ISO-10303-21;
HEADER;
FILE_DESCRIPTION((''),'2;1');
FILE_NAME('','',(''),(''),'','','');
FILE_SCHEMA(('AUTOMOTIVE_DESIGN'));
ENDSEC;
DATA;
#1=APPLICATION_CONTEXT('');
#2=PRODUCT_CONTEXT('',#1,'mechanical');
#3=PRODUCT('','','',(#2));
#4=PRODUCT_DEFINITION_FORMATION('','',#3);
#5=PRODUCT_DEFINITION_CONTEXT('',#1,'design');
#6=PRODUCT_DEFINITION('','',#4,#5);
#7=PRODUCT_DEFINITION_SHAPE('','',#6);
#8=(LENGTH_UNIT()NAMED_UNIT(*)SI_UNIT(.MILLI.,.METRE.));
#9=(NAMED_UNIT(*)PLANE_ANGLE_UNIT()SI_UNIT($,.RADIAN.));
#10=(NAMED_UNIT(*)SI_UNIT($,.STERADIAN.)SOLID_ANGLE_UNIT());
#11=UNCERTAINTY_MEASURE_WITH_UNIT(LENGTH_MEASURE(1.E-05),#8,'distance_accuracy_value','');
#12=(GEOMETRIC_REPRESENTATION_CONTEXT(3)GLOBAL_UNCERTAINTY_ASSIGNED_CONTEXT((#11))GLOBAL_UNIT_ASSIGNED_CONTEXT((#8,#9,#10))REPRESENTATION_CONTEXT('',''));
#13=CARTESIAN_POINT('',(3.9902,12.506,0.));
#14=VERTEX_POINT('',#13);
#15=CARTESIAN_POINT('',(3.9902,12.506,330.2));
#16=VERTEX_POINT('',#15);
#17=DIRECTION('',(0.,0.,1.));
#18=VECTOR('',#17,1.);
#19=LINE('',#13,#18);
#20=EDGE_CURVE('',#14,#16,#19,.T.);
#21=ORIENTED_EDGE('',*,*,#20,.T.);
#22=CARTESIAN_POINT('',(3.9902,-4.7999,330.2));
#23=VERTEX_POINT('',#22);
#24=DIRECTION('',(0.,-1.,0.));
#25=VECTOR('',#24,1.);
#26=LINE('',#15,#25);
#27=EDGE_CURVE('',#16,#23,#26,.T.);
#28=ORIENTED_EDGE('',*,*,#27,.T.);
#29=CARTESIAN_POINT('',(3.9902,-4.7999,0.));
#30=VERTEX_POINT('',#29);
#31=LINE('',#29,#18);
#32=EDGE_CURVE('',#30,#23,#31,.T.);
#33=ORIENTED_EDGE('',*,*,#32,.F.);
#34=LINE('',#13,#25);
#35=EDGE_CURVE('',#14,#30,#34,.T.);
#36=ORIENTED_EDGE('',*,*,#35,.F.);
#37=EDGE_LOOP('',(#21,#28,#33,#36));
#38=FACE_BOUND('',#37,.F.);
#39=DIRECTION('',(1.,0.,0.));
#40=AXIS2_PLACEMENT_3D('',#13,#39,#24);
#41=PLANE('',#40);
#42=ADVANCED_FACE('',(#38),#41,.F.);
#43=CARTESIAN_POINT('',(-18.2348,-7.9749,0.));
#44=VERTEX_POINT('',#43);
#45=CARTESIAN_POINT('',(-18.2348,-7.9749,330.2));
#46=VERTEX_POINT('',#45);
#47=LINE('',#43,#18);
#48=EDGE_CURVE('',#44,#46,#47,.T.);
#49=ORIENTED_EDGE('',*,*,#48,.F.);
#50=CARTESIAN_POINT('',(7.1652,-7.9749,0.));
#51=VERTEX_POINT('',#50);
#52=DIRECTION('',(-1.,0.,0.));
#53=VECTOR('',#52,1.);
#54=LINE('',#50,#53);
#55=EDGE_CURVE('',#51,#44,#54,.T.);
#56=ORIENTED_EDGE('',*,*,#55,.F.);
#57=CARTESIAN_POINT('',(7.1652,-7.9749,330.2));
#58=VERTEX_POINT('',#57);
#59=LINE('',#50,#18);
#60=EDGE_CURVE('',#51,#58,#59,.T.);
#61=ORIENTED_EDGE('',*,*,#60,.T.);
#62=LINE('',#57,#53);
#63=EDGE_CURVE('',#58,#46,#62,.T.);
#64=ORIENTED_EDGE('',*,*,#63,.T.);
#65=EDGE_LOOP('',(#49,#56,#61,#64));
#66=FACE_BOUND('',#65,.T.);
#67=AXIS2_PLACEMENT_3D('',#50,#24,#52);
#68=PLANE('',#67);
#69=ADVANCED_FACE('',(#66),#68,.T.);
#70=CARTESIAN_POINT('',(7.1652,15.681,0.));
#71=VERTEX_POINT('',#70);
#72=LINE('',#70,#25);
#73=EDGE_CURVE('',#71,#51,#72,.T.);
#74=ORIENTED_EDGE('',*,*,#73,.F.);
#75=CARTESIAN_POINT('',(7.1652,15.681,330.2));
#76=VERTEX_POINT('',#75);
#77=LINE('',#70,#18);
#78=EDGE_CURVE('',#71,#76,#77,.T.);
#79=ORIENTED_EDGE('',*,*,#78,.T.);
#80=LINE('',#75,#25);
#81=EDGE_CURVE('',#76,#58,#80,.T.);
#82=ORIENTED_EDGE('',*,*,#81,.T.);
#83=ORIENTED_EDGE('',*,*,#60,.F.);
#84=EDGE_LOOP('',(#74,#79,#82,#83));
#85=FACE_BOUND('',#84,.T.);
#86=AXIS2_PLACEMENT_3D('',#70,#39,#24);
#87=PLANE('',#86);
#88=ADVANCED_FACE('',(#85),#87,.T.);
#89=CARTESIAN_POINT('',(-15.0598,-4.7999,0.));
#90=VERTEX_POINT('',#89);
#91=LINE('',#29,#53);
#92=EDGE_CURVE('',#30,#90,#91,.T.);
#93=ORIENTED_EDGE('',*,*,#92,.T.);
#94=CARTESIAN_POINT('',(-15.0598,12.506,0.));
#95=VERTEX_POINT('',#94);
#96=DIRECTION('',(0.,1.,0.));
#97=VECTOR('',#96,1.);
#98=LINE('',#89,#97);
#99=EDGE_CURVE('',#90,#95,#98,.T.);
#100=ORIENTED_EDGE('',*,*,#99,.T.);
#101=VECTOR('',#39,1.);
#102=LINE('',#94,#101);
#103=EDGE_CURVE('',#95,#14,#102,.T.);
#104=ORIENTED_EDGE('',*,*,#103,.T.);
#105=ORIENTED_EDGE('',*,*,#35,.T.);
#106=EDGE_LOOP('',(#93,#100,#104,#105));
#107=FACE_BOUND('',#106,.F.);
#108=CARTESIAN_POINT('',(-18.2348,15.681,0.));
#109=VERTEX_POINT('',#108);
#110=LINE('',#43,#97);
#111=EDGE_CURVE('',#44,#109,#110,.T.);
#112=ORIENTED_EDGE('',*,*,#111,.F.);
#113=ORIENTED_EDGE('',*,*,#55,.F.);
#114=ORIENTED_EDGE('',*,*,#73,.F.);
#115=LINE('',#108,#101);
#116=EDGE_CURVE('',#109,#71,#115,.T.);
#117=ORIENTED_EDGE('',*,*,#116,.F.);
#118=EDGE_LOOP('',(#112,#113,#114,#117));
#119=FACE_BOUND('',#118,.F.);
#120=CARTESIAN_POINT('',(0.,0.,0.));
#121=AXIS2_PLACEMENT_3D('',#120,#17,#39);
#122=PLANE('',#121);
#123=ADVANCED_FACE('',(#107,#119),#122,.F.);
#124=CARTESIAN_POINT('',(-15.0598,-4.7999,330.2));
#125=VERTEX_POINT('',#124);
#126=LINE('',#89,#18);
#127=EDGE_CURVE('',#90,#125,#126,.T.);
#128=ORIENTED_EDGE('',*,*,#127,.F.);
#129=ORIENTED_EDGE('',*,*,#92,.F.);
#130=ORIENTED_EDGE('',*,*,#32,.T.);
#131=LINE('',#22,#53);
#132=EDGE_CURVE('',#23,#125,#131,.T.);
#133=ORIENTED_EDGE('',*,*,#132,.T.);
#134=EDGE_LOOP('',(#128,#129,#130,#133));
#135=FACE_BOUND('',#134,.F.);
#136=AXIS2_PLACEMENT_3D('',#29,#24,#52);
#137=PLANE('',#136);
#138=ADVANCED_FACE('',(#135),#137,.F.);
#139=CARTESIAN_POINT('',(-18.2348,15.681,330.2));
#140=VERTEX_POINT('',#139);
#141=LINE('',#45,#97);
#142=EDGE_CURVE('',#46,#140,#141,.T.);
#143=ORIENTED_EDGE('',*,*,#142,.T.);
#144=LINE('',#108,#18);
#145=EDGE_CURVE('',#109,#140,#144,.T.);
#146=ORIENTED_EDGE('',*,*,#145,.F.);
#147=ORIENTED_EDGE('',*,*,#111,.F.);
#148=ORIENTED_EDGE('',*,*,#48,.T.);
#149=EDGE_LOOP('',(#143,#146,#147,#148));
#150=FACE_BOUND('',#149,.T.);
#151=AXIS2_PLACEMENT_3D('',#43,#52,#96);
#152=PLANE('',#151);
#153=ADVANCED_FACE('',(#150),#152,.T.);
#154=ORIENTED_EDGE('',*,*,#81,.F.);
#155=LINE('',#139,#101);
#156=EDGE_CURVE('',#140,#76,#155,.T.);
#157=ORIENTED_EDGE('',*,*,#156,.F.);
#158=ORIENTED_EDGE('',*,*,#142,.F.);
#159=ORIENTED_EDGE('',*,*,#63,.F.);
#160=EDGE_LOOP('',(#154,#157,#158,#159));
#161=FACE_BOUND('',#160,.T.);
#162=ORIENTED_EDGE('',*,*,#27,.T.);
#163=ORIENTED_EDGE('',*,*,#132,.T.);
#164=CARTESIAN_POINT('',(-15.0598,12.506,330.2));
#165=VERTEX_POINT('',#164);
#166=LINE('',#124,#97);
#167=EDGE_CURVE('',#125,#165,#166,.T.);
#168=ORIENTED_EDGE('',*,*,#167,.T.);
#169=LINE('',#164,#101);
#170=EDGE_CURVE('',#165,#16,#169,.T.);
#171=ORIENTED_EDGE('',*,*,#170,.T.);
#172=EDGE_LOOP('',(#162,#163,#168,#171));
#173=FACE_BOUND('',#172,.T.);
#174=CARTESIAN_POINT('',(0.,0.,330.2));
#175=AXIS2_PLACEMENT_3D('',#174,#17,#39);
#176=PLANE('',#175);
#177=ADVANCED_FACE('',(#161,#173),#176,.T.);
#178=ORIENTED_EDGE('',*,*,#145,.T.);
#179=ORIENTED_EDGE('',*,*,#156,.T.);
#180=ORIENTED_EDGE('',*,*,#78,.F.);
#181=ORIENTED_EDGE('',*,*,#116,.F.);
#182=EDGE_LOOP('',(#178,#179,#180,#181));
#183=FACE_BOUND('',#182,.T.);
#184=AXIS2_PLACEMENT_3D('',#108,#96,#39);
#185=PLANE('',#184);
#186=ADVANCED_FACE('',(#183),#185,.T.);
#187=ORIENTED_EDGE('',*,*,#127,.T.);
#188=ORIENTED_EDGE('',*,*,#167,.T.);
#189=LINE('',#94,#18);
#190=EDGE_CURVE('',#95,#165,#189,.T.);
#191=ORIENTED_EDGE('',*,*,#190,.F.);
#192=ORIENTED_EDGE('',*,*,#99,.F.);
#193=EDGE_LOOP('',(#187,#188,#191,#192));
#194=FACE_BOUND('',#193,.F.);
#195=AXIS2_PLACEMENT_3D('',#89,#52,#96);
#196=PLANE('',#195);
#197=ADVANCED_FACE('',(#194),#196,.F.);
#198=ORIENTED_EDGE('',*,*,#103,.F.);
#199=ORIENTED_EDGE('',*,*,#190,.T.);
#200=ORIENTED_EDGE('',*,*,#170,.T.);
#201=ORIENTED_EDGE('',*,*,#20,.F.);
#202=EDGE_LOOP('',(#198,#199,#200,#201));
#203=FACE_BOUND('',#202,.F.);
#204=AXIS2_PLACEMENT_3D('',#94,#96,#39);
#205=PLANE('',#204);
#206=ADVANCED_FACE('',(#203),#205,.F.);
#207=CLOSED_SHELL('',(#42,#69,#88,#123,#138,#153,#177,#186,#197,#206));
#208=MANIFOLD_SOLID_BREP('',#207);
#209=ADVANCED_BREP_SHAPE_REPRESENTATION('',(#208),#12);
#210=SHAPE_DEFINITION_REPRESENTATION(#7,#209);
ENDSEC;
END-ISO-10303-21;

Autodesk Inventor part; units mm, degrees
ref_plane "YZ Plane" through (0, 0, 0) normal (1, 0, 0) x (0, 1, 0)
ref_plane "XZ Plane" through (0, 0, 0) normal (0, 1, 0) x (-1, 0, 0)
ref_plane "XY Plane" through (0, 0, 0) normal (0, 0, 1) x (1, 0, 0)
sketch "Sketch1" plane through (0, 0, 0) normal (0, 0, 1) x (1, 0, 0)
  line L0 (3.9902, -4.7999) -> (-15.0598, -4.7999)
  line L1 (-15.0598, -4.7999) -> (-15.0598, 12.506)
  line L2 (-15.0598, 12.506) -> (3.9902, 12.506)
  line L3 (3.9902, 12.506) -> (3.9902, -4.7999)
  line L4 (-18.2348, 15.681) -> (7.1652, 15.681)
  line L5 (7.1652, 15.681) -> (7.1652, -7.9749)
  line L6 (7.1652, -7.9749) -> (-18.2348, -7.9749)
  line L7 (-18.2348, -7.9749) -> (-18.2348, 15.681)
  point P0 (0, 0)
  dimension "d0" = 25.4
  dimension "d1" = 23.6559
  dimension "d2" = 3.175
  dimension "d3" = 3.175
  dimension "d4" = 3.175
  dimension "d5" = 3.175
extrude "Extrusion1" add sketch "Sketch1" along normal blind 330.2
equation "\"d3\" = d2"
equation "\"d4\" = d3"
equation "\"d5\" = d4"
properties part number "InternalBar"
